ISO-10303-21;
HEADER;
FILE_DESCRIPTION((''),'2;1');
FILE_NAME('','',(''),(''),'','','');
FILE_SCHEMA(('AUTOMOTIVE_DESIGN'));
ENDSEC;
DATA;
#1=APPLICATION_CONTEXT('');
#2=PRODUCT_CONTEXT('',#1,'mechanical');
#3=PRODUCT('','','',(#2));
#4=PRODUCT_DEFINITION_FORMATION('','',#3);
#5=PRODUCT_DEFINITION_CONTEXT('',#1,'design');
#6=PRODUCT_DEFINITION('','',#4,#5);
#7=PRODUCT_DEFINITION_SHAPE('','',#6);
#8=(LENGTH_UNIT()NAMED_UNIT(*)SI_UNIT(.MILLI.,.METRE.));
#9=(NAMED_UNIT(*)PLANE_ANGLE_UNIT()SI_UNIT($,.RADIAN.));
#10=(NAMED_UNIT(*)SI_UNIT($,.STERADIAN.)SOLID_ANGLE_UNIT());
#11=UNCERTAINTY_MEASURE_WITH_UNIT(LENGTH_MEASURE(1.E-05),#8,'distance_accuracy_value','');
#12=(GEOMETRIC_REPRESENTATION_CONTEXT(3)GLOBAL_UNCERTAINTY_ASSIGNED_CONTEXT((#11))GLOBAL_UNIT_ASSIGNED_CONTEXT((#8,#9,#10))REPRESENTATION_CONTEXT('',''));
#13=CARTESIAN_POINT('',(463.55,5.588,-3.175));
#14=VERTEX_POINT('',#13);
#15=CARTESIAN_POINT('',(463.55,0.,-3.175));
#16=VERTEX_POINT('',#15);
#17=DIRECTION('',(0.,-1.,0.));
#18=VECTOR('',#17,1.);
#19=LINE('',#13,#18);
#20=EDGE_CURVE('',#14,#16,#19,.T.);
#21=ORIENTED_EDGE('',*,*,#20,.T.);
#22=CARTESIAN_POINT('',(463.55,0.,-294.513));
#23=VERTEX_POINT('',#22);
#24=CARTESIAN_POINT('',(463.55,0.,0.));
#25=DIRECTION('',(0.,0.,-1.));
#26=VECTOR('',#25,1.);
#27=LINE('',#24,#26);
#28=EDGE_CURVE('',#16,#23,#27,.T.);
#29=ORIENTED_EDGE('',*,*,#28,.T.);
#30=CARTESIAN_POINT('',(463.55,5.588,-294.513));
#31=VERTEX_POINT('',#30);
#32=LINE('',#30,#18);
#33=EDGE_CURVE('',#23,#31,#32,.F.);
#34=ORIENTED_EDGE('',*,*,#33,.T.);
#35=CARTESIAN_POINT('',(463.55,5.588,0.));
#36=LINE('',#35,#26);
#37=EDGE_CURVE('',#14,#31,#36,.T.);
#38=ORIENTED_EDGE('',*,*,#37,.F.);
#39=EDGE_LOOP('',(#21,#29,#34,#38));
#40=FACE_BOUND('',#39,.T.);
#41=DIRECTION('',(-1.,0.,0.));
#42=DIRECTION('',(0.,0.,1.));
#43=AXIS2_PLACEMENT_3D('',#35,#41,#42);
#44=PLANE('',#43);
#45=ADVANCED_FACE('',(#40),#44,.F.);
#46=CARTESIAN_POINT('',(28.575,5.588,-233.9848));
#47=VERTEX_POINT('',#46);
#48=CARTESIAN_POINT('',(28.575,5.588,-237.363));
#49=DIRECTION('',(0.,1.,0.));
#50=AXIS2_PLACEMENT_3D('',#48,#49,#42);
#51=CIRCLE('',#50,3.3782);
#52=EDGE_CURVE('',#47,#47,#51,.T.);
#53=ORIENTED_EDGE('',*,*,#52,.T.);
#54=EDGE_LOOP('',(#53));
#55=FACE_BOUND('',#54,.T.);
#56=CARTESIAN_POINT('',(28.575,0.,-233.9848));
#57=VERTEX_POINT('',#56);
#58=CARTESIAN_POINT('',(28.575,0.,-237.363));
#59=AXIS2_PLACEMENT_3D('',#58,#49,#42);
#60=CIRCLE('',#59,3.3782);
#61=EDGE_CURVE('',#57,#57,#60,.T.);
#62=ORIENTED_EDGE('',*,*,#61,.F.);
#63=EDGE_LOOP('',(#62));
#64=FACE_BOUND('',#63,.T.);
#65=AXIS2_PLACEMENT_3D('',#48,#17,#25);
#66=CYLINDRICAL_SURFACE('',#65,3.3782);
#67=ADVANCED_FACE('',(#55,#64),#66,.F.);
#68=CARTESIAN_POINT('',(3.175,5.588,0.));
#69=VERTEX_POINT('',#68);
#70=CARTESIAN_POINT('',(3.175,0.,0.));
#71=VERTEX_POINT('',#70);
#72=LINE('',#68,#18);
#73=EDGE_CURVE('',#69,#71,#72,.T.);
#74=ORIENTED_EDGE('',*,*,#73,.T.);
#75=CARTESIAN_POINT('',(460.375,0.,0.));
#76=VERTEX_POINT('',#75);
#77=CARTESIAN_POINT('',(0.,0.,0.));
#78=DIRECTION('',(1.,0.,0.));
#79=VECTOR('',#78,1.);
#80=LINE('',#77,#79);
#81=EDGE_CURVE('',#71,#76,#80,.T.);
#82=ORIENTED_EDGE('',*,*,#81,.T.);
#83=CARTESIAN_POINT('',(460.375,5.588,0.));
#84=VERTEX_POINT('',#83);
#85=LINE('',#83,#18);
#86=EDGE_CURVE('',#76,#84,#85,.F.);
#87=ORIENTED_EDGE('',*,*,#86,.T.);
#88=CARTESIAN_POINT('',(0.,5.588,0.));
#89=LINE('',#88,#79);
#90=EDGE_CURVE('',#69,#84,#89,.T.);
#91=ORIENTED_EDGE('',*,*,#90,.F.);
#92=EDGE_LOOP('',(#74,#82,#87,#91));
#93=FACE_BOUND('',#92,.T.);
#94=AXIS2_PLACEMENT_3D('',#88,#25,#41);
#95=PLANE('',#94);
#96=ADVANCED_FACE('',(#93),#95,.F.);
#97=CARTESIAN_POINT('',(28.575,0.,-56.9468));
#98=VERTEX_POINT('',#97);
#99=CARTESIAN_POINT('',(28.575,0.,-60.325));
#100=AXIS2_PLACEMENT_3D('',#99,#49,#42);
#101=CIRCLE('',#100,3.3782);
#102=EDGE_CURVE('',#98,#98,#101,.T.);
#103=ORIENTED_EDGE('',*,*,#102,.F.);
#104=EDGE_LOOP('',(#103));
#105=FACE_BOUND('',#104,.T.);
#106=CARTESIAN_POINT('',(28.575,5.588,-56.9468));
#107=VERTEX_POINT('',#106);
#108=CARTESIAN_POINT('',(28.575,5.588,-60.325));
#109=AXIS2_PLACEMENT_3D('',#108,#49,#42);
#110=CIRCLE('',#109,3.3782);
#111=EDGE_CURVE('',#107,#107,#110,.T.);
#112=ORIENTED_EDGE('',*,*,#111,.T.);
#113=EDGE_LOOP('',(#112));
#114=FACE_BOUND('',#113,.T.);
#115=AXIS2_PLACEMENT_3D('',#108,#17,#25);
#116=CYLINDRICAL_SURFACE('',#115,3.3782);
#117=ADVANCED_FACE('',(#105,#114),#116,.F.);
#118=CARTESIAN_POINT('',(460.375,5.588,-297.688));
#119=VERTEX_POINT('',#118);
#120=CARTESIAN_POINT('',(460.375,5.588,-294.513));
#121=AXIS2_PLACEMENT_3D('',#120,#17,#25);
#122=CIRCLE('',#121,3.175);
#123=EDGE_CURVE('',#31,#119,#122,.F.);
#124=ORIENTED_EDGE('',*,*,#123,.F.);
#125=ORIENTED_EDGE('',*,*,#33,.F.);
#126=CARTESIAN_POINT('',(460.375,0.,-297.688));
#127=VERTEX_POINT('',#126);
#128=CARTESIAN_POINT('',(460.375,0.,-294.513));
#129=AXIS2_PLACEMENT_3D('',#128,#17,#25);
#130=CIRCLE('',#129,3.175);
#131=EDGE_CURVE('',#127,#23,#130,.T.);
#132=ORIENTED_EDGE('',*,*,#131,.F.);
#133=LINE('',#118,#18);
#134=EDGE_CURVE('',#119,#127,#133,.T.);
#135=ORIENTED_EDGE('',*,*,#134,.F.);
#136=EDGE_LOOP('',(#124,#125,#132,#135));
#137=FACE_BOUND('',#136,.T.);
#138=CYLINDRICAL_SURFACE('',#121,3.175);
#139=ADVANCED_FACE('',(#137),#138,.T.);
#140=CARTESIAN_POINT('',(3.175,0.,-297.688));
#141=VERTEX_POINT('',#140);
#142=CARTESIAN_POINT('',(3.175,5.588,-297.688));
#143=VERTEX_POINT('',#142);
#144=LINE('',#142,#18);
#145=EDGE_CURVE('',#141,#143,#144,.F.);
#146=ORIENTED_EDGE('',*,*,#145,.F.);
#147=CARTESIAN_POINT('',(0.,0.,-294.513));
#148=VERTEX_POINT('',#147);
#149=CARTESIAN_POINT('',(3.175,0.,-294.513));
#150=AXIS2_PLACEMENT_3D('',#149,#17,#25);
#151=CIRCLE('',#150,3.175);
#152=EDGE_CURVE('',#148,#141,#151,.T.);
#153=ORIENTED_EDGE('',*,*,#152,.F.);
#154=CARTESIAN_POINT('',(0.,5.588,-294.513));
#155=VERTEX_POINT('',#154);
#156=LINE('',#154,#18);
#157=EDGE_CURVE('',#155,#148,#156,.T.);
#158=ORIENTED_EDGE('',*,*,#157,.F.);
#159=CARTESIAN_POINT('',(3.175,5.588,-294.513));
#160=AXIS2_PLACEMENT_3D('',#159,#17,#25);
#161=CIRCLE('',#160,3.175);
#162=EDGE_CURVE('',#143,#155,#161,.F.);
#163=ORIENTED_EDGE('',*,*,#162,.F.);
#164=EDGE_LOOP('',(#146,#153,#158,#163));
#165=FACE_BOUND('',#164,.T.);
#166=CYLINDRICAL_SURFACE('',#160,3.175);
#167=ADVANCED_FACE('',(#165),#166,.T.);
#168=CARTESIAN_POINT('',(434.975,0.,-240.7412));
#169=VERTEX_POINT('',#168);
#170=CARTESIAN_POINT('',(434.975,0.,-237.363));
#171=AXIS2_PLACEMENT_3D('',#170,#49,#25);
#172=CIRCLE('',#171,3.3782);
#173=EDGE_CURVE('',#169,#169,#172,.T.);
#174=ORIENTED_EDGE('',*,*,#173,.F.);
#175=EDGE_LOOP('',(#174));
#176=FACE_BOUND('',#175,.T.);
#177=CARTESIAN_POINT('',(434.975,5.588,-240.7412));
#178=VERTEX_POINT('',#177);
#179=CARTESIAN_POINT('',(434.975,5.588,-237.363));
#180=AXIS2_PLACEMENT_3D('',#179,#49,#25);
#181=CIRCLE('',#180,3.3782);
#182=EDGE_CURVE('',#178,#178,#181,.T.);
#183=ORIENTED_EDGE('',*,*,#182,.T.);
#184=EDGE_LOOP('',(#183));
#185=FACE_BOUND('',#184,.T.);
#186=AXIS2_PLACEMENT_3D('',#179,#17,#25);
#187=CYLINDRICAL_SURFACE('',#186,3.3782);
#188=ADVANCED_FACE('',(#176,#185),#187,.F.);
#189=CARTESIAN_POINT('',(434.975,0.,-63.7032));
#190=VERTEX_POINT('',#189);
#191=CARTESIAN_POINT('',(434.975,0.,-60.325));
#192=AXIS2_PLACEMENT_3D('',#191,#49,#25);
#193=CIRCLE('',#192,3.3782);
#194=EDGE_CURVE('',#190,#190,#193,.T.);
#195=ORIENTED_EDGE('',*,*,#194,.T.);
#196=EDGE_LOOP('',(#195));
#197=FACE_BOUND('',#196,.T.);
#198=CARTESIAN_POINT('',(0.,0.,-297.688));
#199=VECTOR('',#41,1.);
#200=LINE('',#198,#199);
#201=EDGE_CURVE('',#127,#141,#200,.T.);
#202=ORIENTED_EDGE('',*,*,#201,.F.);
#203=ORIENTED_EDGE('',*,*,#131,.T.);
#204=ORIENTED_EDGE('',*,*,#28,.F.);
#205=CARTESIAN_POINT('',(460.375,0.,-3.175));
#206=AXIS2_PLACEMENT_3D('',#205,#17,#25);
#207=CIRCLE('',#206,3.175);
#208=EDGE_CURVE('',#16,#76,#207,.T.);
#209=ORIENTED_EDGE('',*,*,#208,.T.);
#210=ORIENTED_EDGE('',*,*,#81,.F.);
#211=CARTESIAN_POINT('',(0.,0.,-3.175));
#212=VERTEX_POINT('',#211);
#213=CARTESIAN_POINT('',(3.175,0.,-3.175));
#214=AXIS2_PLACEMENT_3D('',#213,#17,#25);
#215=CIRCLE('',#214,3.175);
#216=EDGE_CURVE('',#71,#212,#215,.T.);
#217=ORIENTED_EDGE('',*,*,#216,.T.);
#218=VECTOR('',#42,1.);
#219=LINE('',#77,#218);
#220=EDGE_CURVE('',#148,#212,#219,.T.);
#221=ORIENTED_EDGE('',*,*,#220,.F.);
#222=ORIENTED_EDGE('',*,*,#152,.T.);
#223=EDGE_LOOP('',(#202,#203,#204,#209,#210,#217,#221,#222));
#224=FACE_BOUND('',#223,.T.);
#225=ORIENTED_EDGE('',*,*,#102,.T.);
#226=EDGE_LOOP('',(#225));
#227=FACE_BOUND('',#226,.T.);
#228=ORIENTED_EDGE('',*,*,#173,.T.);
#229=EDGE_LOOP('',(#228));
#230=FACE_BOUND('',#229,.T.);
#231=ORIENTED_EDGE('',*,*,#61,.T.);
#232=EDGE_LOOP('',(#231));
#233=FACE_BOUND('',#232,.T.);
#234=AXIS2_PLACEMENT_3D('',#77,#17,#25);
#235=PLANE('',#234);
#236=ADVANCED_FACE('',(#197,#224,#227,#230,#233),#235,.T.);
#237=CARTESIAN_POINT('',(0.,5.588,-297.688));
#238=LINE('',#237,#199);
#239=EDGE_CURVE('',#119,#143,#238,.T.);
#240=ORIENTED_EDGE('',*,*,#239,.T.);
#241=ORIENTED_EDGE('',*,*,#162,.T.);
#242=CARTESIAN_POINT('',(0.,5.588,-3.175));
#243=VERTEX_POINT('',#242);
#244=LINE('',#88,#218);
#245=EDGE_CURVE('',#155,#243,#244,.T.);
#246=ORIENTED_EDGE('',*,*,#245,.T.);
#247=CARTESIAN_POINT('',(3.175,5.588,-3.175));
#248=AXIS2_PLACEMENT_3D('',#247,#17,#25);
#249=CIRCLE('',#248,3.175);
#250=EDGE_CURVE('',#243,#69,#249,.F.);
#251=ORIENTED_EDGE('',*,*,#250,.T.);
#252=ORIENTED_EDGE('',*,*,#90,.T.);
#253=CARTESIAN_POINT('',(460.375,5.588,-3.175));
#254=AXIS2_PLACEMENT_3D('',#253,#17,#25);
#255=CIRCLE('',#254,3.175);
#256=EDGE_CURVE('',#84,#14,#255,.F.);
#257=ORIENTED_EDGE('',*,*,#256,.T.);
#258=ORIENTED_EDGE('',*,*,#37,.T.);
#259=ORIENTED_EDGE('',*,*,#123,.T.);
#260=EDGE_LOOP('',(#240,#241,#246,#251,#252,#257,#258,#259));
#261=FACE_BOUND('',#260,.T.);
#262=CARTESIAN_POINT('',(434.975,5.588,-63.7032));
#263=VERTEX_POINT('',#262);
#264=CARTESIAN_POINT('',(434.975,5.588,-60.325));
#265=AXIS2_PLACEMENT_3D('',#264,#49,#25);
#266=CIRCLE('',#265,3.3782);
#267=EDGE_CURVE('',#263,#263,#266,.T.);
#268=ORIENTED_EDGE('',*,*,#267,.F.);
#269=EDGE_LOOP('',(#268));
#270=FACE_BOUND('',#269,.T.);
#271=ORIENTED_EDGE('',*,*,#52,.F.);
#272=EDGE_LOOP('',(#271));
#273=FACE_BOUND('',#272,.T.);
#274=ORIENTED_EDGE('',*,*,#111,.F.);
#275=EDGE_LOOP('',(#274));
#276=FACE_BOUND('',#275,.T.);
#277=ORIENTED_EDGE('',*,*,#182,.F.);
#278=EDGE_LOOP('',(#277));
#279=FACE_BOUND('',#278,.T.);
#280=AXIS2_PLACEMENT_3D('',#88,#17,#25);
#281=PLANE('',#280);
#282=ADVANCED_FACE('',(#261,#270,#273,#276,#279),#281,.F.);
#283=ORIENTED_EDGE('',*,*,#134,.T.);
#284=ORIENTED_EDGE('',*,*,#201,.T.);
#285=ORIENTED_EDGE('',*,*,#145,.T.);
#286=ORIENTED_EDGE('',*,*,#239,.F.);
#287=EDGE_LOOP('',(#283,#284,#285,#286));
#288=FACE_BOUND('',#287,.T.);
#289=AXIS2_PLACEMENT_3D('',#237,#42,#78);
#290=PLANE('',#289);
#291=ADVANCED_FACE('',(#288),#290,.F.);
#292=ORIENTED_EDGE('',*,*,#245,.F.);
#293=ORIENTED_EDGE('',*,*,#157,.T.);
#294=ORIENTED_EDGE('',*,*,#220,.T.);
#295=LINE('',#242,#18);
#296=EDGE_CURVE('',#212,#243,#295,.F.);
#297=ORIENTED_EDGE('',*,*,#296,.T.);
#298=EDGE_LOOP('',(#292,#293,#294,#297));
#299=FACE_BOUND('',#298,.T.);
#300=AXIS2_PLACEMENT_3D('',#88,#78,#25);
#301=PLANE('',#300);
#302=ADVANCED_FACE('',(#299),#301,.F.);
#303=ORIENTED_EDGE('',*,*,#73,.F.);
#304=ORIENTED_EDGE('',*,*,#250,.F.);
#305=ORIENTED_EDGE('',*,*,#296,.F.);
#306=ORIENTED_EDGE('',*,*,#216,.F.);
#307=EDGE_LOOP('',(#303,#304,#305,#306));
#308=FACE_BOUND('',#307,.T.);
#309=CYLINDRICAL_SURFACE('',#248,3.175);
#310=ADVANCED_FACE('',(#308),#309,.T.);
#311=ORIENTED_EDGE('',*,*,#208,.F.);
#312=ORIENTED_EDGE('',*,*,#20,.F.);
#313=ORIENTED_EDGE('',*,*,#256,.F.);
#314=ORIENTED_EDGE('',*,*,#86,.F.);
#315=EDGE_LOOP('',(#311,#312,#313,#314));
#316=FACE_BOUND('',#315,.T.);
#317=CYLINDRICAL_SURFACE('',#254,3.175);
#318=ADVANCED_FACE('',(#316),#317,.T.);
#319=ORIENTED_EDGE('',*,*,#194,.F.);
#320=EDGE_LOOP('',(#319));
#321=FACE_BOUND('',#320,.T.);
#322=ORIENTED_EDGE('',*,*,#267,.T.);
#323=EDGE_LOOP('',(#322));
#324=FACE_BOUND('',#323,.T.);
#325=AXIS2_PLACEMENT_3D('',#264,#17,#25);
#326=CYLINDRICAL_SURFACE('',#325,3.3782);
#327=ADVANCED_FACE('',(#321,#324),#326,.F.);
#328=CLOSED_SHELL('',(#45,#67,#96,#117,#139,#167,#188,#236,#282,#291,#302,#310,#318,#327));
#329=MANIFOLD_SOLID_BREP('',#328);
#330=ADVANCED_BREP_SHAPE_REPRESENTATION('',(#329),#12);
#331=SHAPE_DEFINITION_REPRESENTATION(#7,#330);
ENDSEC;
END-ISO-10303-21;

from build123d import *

# Parameters (mm, degrees)
SKETCH1_W           = 463.55
SKETCH1_H           = 297.688
SKETCH1_R           = 3.3782
BOSS_EXTRUDE1_DEPTH = 5.588
FILLET1_R           = 3.175


with BuildPart() as part:
    # Sketch1 → Boss-Extrude1 (new body)
    with BuildSketch(Plane(origin=(0, 0, 0), x_dir=(1, 0, 0), z_dir=(0, 1, 0))):
        with Locations((231.775, 148.844)):
            Rectangle(SKETCH1_W, SKETCH1_H)
        with Locations(Location((28.575, 60.325, 0), (0, 0, 270))):
            Circle(SKETCH1_R, mode=Mode.SUBTRACT)
        with Locations(Location((28.575, 237.363, 0), (0, 0, 270))):
            Circle(SKETCH1_R, mode=Mode.SUBTRACT)
        with Locations(Location((434.975, 237.363, 0), (0, 0, 90))):
            Circle(SKETCH1_R, mode=Mode.SUBTRACT)
        with Locations(Location((434.975, 60.325, 0), (0, 0, 90))):
            Circle(SKETCH1_R, mode=Mode.SUBTRACT)
    extrude(amount=BOSS_EXTRUDE1_DEPTH)

    # Fillet1
    fillet1_edges = [part.edges().sort_by_distance(p)[0] for p in [
        (0, 2.794, -297.688),
        (463.55, 2.794, -297.688),
        (463.55, 2.794, 0),
        (0, 2.794, 0),
    ]]
    fillet(fillet1_edges, radius=FILLET1_R)


solid = part.part
